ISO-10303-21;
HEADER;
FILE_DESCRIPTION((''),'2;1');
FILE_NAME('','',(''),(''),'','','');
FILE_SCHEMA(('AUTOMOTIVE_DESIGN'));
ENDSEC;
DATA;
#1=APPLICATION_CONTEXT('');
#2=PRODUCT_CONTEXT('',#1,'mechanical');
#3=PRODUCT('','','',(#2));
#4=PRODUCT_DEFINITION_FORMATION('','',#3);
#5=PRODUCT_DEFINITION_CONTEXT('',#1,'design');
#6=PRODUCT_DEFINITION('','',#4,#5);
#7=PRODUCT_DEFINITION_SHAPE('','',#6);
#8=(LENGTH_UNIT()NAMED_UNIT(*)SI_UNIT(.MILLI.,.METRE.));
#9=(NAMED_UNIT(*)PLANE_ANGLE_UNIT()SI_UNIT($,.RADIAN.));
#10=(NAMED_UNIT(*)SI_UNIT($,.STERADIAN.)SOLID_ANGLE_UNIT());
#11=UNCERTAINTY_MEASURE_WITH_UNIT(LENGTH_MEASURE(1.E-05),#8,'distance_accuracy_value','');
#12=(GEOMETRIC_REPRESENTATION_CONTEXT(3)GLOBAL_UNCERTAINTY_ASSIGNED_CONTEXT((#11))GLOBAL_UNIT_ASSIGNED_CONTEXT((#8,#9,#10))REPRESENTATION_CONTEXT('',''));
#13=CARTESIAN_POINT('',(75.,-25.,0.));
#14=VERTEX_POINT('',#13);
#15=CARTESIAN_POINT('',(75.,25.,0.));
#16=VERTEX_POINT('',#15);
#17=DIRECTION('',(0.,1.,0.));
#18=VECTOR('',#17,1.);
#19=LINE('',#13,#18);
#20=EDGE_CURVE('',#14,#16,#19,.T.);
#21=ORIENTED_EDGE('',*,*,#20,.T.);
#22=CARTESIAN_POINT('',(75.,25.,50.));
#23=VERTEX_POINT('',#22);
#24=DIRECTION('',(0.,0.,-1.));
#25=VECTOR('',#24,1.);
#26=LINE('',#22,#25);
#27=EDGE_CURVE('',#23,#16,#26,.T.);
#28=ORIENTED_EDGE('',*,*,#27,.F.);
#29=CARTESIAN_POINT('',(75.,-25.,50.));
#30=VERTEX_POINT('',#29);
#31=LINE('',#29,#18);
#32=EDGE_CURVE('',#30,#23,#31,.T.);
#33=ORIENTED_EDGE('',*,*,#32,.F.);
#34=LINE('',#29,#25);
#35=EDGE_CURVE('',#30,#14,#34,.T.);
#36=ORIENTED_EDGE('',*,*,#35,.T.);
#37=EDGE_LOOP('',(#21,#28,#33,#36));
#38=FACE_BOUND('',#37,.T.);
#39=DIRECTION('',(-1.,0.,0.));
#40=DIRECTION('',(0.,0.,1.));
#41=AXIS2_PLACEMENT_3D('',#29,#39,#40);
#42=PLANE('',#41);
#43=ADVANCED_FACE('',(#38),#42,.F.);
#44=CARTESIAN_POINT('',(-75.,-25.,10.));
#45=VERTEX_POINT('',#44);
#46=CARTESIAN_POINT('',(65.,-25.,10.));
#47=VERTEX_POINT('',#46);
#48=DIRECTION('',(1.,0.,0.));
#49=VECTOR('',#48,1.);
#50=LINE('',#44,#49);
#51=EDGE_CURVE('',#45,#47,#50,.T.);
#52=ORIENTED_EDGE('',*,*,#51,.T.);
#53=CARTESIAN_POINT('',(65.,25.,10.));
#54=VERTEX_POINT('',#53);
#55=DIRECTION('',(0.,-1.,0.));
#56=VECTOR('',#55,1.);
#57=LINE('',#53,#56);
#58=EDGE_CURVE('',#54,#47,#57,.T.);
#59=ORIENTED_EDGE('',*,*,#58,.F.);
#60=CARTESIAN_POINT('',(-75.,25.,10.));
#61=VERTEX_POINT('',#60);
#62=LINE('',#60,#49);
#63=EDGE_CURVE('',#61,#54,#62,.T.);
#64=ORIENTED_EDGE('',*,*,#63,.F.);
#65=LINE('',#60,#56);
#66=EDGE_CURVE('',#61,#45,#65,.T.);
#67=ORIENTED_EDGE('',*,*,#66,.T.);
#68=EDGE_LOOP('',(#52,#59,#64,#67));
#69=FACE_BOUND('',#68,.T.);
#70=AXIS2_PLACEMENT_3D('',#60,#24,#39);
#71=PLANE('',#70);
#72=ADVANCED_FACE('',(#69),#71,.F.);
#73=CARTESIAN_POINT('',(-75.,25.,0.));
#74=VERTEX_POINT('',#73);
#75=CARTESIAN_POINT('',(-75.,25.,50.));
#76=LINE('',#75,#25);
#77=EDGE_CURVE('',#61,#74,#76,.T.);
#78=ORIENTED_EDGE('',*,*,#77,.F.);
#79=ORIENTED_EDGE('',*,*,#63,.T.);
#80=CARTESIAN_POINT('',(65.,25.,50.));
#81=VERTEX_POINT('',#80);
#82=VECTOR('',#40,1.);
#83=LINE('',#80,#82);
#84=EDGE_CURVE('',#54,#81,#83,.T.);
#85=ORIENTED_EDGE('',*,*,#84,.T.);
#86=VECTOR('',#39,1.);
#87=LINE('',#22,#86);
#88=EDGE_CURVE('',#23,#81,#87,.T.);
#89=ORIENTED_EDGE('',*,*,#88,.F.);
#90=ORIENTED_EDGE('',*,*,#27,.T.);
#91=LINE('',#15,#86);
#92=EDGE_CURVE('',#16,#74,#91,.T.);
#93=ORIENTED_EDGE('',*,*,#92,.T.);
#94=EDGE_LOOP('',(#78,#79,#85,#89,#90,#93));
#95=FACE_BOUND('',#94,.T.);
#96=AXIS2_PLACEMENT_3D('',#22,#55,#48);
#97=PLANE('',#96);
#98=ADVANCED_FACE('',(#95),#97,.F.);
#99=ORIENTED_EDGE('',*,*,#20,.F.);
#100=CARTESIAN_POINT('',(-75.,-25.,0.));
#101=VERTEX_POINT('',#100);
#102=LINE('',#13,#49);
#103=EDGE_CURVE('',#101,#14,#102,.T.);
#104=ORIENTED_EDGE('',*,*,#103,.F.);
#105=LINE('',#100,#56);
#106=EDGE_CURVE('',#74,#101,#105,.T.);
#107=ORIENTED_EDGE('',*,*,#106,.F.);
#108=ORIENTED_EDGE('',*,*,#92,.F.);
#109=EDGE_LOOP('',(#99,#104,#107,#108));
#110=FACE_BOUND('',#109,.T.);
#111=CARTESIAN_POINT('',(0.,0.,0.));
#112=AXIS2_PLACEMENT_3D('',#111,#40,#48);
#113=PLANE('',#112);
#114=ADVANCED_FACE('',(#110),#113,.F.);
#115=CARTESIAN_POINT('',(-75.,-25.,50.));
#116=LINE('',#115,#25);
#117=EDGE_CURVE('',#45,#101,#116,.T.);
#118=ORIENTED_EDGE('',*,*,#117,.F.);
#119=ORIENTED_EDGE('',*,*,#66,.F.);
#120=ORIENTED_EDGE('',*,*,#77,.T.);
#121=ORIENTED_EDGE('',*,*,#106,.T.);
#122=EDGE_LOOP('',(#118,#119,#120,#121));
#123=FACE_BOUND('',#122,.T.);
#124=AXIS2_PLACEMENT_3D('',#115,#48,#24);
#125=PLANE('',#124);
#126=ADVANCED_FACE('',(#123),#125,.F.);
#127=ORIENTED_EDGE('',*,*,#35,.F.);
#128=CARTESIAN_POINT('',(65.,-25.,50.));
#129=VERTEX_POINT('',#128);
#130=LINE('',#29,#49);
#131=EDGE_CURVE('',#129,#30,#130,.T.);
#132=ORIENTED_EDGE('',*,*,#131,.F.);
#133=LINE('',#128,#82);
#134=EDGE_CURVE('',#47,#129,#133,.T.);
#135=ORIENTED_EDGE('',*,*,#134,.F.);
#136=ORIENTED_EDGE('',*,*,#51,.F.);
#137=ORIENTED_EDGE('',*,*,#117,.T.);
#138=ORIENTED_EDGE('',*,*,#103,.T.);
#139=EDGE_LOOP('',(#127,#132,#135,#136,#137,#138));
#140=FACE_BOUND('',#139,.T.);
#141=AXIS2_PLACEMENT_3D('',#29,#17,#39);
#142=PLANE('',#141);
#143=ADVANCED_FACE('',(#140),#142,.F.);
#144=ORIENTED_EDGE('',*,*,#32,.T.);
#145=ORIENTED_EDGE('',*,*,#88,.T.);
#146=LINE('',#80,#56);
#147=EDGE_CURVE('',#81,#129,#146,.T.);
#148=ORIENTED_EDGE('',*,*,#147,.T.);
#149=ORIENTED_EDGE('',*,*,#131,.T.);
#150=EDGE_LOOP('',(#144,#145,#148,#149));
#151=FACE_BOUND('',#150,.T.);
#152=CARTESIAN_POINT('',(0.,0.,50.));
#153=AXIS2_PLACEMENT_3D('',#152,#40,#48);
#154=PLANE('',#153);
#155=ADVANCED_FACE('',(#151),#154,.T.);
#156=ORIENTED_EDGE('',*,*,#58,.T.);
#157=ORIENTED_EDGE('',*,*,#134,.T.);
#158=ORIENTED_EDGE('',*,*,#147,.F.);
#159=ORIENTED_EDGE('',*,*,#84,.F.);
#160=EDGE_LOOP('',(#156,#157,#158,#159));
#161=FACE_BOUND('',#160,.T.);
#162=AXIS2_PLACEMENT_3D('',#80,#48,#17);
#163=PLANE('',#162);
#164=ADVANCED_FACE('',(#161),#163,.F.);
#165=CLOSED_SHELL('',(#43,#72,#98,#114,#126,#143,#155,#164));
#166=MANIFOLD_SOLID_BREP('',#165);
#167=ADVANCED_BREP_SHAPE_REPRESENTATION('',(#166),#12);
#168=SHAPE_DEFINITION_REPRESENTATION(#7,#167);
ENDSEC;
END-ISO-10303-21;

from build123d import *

# Parameters (mm, degrees)
SKETCH1_W           = 150
SKETCH1_H           = 50
BOSS_EXTRUDE1_DEPTH = 50
SKETCH2_W           = 140
SKETCH2_H           = 40
CUT_EXTRUDE1_DEPTH  = 50


with BuildPart() as part:
    # Sketch1 → Boss-Extrude1 (new body)
    with BuildSketch(Plane.XY):
        Rectangle(SKETCH1_W, SKETCH1_H)
    extrude(amount=BOSS_EXTRUDE1_DEPTH)

    # Sketch2 → Cut-Extrude1 (cut)
    with BuildSketch(Plane.XZ.offset(25)):
        with Locations((-5, 30)):
            Rectangle(SKETCH2_W, SKETCH2_H)
    extrude(amount=-CUT_EXTRUDE1_DEPTH, mode=Mode.SUBTRACT)


solid = part.part
